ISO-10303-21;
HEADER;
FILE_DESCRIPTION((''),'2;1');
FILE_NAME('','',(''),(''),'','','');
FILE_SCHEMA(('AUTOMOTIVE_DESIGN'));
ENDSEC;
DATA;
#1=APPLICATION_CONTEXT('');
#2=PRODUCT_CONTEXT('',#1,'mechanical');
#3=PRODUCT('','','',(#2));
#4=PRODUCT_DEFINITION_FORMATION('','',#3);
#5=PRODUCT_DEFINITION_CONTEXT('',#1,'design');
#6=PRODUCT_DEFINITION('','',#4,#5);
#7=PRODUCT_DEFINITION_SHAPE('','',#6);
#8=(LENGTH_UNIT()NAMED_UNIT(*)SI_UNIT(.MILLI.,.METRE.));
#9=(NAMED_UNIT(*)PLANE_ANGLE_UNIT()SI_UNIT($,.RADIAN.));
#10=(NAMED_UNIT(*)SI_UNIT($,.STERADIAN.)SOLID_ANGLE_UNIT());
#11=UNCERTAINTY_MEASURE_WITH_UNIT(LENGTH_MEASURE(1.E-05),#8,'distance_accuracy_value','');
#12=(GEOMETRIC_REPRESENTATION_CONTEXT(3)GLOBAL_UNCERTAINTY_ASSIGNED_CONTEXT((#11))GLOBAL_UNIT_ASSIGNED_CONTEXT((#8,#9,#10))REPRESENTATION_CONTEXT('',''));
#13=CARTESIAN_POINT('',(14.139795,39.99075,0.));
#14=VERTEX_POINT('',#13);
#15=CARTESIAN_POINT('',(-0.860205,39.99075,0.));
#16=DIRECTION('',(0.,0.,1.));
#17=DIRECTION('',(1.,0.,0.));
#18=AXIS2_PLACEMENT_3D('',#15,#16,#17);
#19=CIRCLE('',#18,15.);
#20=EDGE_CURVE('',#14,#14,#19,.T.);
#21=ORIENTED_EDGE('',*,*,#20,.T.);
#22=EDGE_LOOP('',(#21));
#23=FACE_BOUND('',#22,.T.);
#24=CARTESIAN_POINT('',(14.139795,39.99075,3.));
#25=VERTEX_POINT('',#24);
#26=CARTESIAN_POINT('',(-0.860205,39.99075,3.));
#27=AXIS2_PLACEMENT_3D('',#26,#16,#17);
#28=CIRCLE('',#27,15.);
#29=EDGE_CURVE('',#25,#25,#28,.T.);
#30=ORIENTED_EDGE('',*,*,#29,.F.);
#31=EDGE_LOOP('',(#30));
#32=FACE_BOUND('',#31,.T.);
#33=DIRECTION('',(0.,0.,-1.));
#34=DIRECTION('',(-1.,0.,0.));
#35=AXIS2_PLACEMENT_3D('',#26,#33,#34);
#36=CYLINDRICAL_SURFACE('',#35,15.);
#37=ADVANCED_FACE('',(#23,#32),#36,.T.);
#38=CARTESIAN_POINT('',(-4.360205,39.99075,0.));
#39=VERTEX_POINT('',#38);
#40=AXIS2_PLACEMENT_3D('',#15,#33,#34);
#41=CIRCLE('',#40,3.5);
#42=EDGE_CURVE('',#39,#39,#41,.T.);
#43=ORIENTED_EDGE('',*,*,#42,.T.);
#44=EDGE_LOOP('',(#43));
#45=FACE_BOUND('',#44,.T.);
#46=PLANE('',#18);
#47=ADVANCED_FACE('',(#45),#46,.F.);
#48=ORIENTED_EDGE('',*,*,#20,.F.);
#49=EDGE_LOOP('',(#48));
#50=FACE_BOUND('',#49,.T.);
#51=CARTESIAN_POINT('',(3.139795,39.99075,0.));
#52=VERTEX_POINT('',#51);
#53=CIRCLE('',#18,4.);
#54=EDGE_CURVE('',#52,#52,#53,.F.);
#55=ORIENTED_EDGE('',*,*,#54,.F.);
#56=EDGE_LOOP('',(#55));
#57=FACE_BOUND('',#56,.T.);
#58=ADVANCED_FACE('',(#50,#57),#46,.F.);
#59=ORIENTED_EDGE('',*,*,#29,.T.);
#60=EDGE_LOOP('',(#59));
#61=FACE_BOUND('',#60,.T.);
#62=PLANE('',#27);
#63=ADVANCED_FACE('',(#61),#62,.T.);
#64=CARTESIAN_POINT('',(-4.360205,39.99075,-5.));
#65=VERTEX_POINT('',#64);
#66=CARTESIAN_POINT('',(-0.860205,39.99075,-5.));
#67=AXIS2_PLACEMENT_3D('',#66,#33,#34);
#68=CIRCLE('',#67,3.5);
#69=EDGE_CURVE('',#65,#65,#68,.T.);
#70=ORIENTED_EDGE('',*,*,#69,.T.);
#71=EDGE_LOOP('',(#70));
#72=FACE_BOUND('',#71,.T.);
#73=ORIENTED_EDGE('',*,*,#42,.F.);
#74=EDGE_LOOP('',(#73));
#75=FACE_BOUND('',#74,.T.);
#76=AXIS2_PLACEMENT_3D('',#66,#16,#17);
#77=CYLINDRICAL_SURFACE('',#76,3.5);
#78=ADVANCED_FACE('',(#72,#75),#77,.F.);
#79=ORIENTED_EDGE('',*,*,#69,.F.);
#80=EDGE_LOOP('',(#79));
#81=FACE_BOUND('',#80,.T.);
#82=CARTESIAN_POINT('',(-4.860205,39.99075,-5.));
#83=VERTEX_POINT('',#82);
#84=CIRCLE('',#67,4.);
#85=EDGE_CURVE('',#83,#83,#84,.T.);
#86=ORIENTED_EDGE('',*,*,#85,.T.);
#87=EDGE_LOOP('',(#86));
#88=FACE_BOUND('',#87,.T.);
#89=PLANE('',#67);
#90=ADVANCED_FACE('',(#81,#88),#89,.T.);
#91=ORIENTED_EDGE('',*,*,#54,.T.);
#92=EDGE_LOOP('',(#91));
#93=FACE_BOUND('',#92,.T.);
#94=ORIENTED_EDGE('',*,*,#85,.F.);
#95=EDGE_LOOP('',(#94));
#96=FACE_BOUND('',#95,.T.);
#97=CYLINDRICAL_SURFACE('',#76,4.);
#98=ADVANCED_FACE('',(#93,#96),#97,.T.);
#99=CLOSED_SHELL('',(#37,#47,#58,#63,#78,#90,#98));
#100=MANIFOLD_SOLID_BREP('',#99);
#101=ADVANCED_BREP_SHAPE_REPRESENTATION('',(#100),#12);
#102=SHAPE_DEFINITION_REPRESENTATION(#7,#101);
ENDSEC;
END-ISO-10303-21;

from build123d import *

# Parameters (mm, degrees)
SKETCH1_R           = 15
SKETCH1_R_2         = 4
BOSS_EXTRUDE1_DEPTH = 3
SKETCH2_R           = 4
SKETCH2_R_2         = 3.5
BOSS_EXTRUDE2_DEPTH = 5
SKETCH4_R           = 4
BOSS_EXTRUDE4_DEPTH = 3


with BuildPart() as part:
    # Sketch1 → Boss-Extrude1 (new body)
    with BuildSketch(Plane.XY):
        with Locations((-0.860205172, 39.990749519)):
            Circle(SKETCH1_R)
        with Locations((-0.860205172, 39.990749519)):
            Circle(SKETCH1_R_2, mode=Mode.SUBTRACT)
    extrude(amount=BOSS_EXTRUDE1_DEPTH)



with BuildPart() as body_2:
    # Sketch2 → Boss-Extrude2 (new body)
    with BuildSketch(Plane(origin=(0, 0, 0), x_dir=(-1, 0, 0), z_dir=(0, 0, -1))):
        with Locations(Location((0.860205172, 39.990749519, 0), (0, 0, 180))):
            Circle(SKETCH2_R)
        with Locations((0.860205172, 39.990749519)):
            Circle(SKETCH2_R_2, mode=Mode.SUBTRACT)
    extrude(amount=BOSS_EXTRUDE2_DEPTH)


with BuildPart() as part_1:
    add(part.part)

    add(body_2.part)  # Boss-Extrude4 merges body 2
    # Sketch4 → Boss-Extrude4 (add)
    with BuildSketch(Plane.XY):
        with Locations((-0.860205172, 39.990749519)):
            Circle(SKETCH4_R)
    extrude(amount=BOSS_EXTRUDE4_DEPTH)


solid = part_1.part
